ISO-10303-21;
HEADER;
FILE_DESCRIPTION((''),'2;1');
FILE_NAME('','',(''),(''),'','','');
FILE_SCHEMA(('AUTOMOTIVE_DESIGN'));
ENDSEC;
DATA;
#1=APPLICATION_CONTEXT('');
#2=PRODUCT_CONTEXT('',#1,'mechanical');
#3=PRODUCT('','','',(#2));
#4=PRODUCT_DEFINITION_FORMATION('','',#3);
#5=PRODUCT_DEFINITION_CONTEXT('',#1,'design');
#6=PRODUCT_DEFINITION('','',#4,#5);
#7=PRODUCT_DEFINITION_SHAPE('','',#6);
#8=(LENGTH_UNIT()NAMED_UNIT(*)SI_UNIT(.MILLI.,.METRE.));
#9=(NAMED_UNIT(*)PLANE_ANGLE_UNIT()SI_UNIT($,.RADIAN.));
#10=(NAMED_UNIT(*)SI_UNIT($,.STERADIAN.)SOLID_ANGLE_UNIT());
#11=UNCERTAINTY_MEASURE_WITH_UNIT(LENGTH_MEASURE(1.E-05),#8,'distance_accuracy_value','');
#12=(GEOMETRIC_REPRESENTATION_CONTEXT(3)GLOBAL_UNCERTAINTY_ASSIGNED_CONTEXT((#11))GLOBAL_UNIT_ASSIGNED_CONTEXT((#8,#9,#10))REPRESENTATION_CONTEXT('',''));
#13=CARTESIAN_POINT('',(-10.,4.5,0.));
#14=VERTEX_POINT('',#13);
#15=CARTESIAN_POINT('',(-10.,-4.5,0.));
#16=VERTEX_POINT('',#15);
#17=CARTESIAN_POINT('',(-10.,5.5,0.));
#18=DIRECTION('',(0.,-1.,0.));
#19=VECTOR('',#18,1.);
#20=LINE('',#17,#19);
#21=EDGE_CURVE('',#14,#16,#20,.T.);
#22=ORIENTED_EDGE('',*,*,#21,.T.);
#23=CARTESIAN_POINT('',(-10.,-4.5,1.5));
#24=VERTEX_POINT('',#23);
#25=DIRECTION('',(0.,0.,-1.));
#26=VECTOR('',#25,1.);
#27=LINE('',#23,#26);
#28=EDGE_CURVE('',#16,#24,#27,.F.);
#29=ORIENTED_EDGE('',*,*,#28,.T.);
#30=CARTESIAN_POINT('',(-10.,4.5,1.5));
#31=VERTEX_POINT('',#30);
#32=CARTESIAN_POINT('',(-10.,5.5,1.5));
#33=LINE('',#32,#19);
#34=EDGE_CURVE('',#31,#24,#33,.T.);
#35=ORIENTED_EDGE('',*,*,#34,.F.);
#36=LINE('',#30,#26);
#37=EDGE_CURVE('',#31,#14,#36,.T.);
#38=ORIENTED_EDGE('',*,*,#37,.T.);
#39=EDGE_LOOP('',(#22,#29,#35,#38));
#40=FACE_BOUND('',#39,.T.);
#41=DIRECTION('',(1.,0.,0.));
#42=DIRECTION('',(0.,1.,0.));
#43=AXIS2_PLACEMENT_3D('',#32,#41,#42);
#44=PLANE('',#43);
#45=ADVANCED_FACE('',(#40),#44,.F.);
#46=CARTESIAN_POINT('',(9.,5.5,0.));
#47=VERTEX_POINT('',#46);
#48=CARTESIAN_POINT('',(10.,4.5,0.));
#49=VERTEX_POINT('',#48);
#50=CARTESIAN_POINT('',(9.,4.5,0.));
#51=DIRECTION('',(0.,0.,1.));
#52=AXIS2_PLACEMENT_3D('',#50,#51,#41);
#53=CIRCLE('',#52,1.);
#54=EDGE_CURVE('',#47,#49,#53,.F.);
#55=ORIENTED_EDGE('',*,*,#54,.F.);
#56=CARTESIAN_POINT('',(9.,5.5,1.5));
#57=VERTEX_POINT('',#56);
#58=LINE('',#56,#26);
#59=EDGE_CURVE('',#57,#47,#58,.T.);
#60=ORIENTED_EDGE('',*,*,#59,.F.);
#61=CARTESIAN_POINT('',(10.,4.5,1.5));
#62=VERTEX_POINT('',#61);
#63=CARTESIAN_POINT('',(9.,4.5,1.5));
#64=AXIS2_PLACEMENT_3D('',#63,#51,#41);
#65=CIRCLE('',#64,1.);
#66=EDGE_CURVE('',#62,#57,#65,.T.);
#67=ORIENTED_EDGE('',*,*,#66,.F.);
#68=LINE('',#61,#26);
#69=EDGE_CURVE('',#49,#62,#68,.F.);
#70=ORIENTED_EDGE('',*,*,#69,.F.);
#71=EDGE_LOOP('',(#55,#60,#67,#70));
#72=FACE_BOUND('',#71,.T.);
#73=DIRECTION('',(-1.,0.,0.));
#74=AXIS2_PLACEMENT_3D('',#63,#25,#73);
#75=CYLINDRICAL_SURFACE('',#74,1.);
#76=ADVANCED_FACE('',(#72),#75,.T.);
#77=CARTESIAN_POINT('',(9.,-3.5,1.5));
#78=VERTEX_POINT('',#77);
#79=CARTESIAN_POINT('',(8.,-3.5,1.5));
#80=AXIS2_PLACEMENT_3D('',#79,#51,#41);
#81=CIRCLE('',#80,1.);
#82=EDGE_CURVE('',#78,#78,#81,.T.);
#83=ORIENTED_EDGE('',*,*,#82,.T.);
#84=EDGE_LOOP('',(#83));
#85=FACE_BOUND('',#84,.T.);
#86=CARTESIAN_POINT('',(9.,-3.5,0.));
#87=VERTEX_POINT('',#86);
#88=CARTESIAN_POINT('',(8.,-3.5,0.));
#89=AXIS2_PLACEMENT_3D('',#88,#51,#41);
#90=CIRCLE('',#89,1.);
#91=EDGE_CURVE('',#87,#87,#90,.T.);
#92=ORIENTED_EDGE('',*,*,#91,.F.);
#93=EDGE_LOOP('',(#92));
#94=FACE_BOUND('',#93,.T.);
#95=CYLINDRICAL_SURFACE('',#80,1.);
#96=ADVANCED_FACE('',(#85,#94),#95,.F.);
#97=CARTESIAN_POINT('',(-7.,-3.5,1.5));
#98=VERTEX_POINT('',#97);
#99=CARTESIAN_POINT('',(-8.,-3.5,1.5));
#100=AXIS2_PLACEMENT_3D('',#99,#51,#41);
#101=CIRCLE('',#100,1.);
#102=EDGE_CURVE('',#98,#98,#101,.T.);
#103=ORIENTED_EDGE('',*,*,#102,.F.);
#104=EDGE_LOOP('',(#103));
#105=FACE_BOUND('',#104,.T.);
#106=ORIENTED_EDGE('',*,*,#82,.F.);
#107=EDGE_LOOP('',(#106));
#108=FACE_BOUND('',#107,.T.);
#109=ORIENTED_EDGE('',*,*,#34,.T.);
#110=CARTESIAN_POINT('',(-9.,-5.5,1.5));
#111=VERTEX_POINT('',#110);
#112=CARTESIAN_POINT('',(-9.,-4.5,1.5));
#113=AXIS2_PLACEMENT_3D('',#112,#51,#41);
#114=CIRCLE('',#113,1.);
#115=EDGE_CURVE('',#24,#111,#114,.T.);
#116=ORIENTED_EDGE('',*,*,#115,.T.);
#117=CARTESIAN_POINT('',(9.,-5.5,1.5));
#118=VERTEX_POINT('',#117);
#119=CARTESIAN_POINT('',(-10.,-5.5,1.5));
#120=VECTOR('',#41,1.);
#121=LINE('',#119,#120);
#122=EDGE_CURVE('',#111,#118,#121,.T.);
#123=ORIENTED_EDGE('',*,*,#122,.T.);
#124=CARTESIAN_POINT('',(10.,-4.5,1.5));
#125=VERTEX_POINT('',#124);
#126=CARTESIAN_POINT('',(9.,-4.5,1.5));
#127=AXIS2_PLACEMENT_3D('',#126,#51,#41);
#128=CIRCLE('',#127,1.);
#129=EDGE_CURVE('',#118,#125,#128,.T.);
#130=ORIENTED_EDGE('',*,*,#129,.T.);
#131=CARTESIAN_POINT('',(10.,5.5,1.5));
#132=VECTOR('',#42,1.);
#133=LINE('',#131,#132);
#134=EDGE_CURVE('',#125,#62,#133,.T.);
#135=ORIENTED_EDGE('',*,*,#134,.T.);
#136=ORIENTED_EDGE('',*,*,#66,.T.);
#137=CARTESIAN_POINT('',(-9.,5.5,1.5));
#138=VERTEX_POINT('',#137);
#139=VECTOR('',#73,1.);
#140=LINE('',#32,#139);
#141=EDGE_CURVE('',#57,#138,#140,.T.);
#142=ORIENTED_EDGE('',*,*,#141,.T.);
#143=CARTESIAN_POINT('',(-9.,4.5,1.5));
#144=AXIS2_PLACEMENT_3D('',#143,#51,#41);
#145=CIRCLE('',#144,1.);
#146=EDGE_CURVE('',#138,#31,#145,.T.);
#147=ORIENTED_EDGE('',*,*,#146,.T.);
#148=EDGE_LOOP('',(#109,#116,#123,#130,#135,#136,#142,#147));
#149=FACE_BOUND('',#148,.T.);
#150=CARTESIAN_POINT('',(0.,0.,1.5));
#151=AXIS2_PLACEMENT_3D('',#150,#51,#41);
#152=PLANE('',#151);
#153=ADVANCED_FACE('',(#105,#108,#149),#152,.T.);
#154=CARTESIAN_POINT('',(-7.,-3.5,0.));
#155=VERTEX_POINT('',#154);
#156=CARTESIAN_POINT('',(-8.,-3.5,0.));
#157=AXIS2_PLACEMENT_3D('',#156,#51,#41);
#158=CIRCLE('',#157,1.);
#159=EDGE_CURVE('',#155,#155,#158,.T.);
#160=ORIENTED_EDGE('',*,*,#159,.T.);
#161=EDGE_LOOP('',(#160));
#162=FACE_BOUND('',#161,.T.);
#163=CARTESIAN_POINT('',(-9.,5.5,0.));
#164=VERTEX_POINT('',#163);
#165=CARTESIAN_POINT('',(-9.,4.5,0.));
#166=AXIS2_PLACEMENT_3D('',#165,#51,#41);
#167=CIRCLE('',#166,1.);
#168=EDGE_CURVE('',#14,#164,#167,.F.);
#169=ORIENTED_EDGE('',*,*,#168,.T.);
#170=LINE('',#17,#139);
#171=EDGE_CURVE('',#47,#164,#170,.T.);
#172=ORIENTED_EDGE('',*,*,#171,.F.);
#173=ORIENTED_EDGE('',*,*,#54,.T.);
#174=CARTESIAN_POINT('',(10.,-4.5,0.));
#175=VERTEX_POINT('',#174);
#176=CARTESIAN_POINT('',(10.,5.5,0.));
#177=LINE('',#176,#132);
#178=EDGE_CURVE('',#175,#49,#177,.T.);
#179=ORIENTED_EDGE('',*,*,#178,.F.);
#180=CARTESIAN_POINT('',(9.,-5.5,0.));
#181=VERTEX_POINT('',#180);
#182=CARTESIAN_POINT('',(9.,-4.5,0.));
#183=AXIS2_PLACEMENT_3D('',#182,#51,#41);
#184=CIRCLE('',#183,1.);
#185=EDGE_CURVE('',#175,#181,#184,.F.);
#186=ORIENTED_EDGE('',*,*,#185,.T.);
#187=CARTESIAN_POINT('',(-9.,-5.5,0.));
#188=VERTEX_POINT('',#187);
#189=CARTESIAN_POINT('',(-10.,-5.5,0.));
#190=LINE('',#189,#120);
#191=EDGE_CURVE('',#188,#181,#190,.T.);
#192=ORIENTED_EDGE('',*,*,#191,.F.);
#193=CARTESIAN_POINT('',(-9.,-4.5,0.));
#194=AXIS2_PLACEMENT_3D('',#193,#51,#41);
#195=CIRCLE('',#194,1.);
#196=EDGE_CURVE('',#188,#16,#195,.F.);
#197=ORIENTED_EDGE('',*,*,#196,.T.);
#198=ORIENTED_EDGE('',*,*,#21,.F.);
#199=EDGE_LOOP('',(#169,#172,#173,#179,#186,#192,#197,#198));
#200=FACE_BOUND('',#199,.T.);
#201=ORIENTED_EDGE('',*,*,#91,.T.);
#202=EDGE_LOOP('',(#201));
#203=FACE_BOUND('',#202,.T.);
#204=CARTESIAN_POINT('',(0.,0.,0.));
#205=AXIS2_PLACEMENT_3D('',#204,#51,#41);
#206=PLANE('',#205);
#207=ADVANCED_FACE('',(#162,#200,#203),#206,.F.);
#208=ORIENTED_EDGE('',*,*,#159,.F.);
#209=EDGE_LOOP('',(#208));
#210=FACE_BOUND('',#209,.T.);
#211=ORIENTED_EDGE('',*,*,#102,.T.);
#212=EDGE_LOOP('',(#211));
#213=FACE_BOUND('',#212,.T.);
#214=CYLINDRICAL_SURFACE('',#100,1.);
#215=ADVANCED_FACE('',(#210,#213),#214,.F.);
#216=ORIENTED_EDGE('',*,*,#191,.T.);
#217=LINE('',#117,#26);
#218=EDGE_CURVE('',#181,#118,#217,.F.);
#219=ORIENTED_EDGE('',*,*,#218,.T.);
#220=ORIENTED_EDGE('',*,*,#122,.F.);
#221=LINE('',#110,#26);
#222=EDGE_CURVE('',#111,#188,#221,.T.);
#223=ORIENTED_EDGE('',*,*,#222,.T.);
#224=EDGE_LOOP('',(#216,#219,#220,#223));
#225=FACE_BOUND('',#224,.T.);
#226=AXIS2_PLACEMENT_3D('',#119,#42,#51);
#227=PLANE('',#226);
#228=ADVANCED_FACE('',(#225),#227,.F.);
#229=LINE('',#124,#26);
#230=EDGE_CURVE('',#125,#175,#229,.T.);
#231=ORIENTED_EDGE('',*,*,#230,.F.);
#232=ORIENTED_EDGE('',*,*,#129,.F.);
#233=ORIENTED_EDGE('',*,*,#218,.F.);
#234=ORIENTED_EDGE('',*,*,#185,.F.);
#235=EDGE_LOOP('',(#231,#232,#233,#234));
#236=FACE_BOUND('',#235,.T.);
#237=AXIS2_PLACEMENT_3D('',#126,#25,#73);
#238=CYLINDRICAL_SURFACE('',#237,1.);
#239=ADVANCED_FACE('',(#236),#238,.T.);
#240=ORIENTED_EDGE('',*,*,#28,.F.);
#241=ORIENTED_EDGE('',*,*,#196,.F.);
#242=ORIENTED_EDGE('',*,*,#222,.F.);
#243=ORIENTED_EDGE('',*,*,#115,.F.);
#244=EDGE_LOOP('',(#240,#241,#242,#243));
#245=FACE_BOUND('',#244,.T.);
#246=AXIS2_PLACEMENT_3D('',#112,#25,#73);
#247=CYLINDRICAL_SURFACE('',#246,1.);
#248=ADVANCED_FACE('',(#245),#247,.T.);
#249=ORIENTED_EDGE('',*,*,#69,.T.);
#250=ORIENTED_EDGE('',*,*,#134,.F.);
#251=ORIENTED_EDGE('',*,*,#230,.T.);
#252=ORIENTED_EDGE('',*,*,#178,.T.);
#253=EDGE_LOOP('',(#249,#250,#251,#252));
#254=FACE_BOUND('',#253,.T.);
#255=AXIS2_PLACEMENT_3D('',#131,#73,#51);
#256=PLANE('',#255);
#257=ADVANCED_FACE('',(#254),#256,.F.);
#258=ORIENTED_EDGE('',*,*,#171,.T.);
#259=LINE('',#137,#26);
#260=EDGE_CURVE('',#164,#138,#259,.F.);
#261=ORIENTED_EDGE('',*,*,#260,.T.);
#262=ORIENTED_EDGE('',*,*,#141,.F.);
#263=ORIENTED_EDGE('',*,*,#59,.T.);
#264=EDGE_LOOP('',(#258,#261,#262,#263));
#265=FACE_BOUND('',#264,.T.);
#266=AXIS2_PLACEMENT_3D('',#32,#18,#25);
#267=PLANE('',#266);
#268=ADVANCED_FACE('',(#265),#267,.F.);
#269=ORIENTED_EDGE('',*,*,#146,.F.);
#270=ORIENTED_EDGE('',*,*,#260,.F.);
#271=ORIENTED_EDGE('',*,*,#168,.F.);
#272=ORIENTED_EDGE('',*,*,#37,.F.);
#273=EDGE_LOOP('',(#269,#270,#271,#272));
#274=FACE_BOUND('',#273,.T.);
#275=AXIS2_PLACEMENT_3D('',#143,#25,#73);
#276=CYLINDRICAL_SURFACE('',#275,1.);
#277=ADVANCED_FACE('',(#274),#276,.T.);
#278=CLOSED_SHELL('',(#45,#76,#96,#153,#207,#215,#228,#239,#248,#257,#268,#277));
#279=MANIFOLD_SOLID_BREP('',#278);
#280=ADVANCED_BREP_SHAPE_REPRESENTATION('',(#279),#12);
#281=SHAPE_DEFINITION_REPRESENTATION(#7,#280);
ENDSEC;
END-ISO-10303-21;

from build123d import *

# Parameters (mm, degrees)
SZKIC1_W                       = 20
SZKIC1_H                       = 11
DODANIE_WYCI_GNI_CIE1_DEPTH    = 1.5
ZAOKR_GLENIE1_R                = 1
OTWORY_USTALAJ_CE_2_0MM1_D     = 2
OTWORY_USTALAJ_CE_2_0MM1_DEPTH = 2
OTWORY_USTALAJ_CE_2_0MM1_TIP   = 0.600860619


with BuildPart() as part:
    # Szkic1 → Dodanie-wyciągnięcie1 (new body)
    with BuildSketch(Plane.XY):
        Rectangle(SZKIC1_W, SZKIC1_H)
    extrude(amount=DODANIE_WYCI_GNI_CIE1_DEPTH)

    # Zaokrąglenie1
    zaokr_glenie1_edges = [part.edges().sort_by_distance(p)[0] for p in [
        (10, -5.5, 0.75),
        (-10, -5.5, 0.75),
        (-10, 5.5, 0.75),
        (10, 5.5, 0.75),
    ]]
    fillet(zaokr_glenie1_edges, radius=ZAOKR_GLENIE1_R)

    # Otwory ustalające Ø2.0mm1
    with Locations(Plane.XY.offset(1.5)):
        with Locations((-8, -3.5), (8, -3.5)):
            Hole(OTWORY_USTALAJ_CE_2_0MM1_D / 2, depth=OTWORY_USTALAJ_CE_2_0MM1_DEPTH)
            with Locations((0, 0, -(OTWORY_USTALAJ_CE_2_0MM1_DEPTH + OTWORY_USTALAJ_CE_2_0MM1_TIP / 2))):  # 118° drill point
                Cone(0, OTWORY_USTALAJ_CE_2_0MM1_D / 2, OTWORY_USTALAJ_CE_2_0MM1_TIP, mode=Mode.SUBTRACT)


solid = part.part
